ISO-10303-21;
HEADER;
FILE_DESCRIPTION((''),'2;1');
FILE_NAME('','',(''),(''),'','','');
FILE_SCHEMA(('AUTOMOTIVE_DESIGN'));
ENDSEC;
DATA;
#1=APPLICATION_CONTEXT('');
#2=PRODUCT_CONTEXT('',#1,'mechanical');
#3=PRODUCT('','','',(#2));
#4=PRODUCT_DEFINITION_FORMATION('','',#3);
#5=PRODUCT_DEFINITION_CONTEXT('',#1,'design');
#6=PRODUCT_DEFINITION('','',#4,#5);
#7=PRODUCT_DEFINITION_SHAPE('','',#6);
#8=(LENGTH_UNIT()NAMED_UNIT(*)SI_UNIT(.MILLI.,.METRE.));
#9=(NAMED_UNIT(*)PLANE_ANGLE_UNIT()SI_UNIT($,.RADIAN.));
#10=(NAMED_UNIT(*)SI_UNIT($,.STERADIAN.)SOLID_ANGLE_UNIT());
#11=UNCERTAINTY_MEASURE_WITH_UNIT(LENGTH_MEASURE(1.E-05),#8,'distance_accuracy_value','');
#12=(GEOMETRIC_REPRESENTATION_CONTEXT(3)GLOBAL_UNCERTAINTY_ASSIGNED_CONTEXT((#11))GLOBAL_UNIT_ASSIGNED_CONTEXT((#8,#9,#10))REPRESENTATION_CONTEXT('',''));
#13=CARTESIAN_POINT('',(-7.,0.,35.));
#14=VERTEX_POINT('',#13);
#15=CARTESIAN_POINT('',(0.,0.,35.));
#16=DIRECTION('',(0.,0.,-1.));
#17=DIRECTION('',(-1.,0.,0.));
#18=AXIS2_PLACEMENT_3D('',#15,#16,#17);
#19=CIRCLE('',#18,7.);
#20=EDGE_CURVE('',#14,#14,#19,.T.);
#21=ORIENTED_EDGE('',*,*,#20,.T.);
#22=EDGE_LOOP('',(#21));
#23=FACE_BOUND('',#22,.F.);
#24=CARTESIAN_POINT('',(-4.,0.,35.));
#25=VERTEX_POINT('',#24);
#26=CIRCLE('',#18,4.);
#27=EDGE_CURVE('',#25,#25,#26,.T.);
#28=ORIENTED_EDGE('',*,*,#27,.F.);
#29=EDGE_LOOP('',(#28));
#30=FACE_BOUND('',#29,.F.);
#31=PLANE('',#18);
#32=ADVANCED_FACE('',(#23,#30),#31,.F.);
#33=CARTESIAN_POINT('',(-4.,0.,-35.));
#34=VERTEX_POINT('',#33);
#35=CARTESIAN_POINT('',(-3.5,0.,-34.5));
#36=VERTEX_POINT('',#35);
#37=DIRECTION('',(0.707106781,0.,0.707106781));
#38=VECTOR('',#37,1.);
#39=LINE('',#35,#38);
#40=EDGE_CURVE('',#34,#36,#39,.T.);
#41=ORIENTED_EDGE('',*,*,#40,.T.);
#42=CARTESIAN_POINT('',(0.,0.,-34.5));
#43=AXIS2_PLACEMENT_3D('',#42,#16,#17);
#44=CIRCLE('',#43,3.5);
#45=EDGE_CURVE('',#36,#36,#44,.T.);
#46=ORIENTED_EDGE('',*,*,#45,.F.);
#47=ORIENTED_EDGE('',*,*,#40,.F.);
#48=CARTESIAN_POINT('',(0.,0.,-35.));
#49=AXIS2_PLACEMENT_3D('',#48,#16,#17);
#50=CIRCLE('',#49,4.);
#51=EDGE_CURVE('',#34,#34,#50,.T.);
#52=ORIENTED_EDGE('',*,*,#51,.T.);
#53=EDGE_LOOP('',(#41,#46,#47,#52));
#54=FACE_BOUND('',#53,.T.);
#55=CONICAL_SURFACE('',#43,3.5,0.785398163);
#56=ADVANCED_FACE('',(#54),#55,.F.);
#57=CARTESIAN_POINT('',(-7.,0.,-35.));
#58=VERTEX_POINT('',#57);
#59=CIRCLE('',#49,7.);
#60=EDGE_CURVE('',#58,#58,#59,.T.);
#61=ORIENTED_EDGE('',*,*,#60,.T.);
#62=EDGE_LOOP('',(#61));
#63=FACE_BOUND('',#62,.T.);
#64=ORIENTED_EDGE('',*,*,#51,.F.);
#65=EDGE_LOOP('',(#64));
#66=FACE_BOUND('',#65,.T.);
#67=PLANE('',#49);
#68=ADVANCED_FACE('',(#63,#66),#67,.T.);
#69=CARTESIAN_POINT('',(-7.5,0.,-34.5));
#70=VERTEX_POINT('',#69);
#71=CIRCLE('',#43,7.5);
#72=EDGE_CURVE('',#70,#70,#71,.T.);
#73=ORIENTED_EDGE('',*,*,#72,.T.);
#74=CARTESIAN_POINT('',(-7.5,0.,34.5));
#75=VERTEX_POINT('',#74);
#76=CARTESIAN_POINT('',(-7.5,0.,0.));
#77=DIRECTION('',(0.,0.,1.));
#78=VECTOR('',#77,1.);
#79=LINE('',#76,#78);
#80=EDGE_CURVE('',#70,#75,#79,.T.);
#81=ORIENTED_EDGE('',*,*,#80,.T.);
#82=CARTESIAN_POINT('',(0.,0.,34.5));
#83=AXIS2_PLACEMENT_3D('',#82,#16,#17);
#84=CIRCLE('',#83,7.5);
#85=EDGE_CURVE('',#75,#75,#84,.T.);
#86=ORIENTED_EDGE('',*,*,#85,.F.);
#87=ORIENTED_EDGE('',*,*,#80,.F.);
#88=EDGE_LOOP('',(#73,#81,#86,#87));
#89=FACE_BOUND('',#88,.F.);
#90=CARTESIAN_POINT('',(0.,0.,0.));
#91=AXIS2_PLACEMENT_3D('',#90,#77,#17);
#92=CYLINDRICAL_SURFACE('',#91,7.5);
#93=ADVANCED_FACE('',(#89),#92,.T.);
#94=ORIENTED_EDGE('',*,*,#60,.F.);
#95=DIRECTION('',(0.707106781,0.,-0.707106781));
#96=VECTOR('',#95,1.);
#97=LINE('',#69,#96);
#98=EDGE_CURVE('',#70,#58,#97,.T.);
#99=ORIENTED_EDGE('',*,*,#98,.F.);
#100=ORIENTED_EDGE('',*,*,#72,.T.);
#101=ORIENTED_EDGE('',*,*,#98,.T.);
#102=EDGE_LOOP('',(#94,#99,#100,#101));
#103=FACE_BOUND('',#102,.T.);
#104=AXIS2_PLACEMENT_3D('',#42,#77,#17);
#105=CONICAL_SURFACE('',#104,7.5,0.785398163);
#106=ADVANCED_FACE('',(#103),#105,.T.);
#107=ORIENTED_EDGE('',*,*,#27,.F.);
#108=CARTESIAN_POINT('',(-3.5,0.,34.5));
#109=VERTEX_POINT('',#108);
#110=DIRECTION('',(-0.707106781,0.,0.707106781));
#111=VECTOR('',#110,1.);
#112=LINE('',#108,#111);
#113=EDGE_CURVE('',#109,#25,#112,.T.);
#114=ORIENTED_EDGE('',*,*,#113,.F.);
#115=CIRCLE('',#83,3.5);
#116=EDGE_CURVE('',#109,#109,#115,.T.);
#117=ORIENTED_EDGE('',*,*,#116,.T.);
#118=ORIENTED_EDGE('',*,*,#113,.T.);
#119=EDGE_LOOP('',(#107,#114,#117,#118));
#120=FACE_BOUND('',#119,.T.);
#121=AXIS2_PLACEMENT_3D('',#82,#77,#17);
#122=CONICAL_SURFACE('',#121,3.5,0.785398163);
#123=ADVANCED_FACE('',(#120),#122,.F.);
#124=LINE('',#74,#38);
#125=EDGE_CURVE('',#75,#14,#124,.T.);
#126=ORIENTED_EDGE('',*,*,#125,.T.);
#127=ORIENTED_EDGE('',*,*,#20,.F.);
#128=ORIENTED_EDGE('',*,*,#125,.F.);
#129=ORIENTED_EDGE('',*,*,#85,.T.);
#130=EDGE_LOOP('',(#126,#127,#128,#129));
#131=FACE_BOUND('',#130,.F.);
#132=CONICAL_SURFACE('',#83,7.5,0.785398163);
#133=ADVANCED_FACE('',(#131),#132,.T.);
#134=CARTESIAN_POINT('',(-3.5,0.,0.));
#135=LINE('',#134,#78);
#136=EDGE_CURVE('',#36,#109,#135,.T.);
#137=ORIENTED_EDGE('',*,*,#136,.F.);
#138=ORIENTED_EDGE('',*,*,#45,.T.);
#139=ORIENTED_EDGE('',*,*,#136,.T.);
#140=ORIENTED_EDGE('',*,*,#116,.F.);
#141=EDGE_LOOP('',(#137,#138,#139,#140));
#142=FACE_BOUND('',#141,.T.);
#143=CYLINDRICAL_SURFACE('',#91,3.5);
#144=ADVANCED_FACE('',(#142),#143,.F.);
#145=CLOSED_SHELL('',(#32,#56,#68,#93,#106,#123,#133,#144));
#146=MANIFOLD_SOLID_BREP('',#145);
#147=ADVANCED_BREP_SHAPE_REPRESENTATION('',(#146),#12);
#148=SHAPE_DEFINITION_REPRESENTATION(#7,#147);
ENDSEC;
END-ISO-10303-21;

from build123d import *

# Parameters (mm, degrees)
F0_W    = 4
F0_H    = 70
F2_SIZE = 0.5


with BuildPart() as f1:
    # F0 (on Front) → F1 (revolve)
    with BuildSketch(Plane.XZ):
        with Locations((-5.5, 0)):
            Rectangle(F0_W, F0_H)
    revolve(axis=Axis((0, 0, 0), (0, 0, -1)))

    # F2
    f2_edges = [f1.edges().sort_by_distance(p)[0] for p in [
        (3.5, 0, 35),
        (7.5, 0, 35),
        (7.5, 0, -35),
        (3.5, 0, -35),
    ]]
    chamfer(f2_edges, length=F2_SIZE)


solid = f1.part
